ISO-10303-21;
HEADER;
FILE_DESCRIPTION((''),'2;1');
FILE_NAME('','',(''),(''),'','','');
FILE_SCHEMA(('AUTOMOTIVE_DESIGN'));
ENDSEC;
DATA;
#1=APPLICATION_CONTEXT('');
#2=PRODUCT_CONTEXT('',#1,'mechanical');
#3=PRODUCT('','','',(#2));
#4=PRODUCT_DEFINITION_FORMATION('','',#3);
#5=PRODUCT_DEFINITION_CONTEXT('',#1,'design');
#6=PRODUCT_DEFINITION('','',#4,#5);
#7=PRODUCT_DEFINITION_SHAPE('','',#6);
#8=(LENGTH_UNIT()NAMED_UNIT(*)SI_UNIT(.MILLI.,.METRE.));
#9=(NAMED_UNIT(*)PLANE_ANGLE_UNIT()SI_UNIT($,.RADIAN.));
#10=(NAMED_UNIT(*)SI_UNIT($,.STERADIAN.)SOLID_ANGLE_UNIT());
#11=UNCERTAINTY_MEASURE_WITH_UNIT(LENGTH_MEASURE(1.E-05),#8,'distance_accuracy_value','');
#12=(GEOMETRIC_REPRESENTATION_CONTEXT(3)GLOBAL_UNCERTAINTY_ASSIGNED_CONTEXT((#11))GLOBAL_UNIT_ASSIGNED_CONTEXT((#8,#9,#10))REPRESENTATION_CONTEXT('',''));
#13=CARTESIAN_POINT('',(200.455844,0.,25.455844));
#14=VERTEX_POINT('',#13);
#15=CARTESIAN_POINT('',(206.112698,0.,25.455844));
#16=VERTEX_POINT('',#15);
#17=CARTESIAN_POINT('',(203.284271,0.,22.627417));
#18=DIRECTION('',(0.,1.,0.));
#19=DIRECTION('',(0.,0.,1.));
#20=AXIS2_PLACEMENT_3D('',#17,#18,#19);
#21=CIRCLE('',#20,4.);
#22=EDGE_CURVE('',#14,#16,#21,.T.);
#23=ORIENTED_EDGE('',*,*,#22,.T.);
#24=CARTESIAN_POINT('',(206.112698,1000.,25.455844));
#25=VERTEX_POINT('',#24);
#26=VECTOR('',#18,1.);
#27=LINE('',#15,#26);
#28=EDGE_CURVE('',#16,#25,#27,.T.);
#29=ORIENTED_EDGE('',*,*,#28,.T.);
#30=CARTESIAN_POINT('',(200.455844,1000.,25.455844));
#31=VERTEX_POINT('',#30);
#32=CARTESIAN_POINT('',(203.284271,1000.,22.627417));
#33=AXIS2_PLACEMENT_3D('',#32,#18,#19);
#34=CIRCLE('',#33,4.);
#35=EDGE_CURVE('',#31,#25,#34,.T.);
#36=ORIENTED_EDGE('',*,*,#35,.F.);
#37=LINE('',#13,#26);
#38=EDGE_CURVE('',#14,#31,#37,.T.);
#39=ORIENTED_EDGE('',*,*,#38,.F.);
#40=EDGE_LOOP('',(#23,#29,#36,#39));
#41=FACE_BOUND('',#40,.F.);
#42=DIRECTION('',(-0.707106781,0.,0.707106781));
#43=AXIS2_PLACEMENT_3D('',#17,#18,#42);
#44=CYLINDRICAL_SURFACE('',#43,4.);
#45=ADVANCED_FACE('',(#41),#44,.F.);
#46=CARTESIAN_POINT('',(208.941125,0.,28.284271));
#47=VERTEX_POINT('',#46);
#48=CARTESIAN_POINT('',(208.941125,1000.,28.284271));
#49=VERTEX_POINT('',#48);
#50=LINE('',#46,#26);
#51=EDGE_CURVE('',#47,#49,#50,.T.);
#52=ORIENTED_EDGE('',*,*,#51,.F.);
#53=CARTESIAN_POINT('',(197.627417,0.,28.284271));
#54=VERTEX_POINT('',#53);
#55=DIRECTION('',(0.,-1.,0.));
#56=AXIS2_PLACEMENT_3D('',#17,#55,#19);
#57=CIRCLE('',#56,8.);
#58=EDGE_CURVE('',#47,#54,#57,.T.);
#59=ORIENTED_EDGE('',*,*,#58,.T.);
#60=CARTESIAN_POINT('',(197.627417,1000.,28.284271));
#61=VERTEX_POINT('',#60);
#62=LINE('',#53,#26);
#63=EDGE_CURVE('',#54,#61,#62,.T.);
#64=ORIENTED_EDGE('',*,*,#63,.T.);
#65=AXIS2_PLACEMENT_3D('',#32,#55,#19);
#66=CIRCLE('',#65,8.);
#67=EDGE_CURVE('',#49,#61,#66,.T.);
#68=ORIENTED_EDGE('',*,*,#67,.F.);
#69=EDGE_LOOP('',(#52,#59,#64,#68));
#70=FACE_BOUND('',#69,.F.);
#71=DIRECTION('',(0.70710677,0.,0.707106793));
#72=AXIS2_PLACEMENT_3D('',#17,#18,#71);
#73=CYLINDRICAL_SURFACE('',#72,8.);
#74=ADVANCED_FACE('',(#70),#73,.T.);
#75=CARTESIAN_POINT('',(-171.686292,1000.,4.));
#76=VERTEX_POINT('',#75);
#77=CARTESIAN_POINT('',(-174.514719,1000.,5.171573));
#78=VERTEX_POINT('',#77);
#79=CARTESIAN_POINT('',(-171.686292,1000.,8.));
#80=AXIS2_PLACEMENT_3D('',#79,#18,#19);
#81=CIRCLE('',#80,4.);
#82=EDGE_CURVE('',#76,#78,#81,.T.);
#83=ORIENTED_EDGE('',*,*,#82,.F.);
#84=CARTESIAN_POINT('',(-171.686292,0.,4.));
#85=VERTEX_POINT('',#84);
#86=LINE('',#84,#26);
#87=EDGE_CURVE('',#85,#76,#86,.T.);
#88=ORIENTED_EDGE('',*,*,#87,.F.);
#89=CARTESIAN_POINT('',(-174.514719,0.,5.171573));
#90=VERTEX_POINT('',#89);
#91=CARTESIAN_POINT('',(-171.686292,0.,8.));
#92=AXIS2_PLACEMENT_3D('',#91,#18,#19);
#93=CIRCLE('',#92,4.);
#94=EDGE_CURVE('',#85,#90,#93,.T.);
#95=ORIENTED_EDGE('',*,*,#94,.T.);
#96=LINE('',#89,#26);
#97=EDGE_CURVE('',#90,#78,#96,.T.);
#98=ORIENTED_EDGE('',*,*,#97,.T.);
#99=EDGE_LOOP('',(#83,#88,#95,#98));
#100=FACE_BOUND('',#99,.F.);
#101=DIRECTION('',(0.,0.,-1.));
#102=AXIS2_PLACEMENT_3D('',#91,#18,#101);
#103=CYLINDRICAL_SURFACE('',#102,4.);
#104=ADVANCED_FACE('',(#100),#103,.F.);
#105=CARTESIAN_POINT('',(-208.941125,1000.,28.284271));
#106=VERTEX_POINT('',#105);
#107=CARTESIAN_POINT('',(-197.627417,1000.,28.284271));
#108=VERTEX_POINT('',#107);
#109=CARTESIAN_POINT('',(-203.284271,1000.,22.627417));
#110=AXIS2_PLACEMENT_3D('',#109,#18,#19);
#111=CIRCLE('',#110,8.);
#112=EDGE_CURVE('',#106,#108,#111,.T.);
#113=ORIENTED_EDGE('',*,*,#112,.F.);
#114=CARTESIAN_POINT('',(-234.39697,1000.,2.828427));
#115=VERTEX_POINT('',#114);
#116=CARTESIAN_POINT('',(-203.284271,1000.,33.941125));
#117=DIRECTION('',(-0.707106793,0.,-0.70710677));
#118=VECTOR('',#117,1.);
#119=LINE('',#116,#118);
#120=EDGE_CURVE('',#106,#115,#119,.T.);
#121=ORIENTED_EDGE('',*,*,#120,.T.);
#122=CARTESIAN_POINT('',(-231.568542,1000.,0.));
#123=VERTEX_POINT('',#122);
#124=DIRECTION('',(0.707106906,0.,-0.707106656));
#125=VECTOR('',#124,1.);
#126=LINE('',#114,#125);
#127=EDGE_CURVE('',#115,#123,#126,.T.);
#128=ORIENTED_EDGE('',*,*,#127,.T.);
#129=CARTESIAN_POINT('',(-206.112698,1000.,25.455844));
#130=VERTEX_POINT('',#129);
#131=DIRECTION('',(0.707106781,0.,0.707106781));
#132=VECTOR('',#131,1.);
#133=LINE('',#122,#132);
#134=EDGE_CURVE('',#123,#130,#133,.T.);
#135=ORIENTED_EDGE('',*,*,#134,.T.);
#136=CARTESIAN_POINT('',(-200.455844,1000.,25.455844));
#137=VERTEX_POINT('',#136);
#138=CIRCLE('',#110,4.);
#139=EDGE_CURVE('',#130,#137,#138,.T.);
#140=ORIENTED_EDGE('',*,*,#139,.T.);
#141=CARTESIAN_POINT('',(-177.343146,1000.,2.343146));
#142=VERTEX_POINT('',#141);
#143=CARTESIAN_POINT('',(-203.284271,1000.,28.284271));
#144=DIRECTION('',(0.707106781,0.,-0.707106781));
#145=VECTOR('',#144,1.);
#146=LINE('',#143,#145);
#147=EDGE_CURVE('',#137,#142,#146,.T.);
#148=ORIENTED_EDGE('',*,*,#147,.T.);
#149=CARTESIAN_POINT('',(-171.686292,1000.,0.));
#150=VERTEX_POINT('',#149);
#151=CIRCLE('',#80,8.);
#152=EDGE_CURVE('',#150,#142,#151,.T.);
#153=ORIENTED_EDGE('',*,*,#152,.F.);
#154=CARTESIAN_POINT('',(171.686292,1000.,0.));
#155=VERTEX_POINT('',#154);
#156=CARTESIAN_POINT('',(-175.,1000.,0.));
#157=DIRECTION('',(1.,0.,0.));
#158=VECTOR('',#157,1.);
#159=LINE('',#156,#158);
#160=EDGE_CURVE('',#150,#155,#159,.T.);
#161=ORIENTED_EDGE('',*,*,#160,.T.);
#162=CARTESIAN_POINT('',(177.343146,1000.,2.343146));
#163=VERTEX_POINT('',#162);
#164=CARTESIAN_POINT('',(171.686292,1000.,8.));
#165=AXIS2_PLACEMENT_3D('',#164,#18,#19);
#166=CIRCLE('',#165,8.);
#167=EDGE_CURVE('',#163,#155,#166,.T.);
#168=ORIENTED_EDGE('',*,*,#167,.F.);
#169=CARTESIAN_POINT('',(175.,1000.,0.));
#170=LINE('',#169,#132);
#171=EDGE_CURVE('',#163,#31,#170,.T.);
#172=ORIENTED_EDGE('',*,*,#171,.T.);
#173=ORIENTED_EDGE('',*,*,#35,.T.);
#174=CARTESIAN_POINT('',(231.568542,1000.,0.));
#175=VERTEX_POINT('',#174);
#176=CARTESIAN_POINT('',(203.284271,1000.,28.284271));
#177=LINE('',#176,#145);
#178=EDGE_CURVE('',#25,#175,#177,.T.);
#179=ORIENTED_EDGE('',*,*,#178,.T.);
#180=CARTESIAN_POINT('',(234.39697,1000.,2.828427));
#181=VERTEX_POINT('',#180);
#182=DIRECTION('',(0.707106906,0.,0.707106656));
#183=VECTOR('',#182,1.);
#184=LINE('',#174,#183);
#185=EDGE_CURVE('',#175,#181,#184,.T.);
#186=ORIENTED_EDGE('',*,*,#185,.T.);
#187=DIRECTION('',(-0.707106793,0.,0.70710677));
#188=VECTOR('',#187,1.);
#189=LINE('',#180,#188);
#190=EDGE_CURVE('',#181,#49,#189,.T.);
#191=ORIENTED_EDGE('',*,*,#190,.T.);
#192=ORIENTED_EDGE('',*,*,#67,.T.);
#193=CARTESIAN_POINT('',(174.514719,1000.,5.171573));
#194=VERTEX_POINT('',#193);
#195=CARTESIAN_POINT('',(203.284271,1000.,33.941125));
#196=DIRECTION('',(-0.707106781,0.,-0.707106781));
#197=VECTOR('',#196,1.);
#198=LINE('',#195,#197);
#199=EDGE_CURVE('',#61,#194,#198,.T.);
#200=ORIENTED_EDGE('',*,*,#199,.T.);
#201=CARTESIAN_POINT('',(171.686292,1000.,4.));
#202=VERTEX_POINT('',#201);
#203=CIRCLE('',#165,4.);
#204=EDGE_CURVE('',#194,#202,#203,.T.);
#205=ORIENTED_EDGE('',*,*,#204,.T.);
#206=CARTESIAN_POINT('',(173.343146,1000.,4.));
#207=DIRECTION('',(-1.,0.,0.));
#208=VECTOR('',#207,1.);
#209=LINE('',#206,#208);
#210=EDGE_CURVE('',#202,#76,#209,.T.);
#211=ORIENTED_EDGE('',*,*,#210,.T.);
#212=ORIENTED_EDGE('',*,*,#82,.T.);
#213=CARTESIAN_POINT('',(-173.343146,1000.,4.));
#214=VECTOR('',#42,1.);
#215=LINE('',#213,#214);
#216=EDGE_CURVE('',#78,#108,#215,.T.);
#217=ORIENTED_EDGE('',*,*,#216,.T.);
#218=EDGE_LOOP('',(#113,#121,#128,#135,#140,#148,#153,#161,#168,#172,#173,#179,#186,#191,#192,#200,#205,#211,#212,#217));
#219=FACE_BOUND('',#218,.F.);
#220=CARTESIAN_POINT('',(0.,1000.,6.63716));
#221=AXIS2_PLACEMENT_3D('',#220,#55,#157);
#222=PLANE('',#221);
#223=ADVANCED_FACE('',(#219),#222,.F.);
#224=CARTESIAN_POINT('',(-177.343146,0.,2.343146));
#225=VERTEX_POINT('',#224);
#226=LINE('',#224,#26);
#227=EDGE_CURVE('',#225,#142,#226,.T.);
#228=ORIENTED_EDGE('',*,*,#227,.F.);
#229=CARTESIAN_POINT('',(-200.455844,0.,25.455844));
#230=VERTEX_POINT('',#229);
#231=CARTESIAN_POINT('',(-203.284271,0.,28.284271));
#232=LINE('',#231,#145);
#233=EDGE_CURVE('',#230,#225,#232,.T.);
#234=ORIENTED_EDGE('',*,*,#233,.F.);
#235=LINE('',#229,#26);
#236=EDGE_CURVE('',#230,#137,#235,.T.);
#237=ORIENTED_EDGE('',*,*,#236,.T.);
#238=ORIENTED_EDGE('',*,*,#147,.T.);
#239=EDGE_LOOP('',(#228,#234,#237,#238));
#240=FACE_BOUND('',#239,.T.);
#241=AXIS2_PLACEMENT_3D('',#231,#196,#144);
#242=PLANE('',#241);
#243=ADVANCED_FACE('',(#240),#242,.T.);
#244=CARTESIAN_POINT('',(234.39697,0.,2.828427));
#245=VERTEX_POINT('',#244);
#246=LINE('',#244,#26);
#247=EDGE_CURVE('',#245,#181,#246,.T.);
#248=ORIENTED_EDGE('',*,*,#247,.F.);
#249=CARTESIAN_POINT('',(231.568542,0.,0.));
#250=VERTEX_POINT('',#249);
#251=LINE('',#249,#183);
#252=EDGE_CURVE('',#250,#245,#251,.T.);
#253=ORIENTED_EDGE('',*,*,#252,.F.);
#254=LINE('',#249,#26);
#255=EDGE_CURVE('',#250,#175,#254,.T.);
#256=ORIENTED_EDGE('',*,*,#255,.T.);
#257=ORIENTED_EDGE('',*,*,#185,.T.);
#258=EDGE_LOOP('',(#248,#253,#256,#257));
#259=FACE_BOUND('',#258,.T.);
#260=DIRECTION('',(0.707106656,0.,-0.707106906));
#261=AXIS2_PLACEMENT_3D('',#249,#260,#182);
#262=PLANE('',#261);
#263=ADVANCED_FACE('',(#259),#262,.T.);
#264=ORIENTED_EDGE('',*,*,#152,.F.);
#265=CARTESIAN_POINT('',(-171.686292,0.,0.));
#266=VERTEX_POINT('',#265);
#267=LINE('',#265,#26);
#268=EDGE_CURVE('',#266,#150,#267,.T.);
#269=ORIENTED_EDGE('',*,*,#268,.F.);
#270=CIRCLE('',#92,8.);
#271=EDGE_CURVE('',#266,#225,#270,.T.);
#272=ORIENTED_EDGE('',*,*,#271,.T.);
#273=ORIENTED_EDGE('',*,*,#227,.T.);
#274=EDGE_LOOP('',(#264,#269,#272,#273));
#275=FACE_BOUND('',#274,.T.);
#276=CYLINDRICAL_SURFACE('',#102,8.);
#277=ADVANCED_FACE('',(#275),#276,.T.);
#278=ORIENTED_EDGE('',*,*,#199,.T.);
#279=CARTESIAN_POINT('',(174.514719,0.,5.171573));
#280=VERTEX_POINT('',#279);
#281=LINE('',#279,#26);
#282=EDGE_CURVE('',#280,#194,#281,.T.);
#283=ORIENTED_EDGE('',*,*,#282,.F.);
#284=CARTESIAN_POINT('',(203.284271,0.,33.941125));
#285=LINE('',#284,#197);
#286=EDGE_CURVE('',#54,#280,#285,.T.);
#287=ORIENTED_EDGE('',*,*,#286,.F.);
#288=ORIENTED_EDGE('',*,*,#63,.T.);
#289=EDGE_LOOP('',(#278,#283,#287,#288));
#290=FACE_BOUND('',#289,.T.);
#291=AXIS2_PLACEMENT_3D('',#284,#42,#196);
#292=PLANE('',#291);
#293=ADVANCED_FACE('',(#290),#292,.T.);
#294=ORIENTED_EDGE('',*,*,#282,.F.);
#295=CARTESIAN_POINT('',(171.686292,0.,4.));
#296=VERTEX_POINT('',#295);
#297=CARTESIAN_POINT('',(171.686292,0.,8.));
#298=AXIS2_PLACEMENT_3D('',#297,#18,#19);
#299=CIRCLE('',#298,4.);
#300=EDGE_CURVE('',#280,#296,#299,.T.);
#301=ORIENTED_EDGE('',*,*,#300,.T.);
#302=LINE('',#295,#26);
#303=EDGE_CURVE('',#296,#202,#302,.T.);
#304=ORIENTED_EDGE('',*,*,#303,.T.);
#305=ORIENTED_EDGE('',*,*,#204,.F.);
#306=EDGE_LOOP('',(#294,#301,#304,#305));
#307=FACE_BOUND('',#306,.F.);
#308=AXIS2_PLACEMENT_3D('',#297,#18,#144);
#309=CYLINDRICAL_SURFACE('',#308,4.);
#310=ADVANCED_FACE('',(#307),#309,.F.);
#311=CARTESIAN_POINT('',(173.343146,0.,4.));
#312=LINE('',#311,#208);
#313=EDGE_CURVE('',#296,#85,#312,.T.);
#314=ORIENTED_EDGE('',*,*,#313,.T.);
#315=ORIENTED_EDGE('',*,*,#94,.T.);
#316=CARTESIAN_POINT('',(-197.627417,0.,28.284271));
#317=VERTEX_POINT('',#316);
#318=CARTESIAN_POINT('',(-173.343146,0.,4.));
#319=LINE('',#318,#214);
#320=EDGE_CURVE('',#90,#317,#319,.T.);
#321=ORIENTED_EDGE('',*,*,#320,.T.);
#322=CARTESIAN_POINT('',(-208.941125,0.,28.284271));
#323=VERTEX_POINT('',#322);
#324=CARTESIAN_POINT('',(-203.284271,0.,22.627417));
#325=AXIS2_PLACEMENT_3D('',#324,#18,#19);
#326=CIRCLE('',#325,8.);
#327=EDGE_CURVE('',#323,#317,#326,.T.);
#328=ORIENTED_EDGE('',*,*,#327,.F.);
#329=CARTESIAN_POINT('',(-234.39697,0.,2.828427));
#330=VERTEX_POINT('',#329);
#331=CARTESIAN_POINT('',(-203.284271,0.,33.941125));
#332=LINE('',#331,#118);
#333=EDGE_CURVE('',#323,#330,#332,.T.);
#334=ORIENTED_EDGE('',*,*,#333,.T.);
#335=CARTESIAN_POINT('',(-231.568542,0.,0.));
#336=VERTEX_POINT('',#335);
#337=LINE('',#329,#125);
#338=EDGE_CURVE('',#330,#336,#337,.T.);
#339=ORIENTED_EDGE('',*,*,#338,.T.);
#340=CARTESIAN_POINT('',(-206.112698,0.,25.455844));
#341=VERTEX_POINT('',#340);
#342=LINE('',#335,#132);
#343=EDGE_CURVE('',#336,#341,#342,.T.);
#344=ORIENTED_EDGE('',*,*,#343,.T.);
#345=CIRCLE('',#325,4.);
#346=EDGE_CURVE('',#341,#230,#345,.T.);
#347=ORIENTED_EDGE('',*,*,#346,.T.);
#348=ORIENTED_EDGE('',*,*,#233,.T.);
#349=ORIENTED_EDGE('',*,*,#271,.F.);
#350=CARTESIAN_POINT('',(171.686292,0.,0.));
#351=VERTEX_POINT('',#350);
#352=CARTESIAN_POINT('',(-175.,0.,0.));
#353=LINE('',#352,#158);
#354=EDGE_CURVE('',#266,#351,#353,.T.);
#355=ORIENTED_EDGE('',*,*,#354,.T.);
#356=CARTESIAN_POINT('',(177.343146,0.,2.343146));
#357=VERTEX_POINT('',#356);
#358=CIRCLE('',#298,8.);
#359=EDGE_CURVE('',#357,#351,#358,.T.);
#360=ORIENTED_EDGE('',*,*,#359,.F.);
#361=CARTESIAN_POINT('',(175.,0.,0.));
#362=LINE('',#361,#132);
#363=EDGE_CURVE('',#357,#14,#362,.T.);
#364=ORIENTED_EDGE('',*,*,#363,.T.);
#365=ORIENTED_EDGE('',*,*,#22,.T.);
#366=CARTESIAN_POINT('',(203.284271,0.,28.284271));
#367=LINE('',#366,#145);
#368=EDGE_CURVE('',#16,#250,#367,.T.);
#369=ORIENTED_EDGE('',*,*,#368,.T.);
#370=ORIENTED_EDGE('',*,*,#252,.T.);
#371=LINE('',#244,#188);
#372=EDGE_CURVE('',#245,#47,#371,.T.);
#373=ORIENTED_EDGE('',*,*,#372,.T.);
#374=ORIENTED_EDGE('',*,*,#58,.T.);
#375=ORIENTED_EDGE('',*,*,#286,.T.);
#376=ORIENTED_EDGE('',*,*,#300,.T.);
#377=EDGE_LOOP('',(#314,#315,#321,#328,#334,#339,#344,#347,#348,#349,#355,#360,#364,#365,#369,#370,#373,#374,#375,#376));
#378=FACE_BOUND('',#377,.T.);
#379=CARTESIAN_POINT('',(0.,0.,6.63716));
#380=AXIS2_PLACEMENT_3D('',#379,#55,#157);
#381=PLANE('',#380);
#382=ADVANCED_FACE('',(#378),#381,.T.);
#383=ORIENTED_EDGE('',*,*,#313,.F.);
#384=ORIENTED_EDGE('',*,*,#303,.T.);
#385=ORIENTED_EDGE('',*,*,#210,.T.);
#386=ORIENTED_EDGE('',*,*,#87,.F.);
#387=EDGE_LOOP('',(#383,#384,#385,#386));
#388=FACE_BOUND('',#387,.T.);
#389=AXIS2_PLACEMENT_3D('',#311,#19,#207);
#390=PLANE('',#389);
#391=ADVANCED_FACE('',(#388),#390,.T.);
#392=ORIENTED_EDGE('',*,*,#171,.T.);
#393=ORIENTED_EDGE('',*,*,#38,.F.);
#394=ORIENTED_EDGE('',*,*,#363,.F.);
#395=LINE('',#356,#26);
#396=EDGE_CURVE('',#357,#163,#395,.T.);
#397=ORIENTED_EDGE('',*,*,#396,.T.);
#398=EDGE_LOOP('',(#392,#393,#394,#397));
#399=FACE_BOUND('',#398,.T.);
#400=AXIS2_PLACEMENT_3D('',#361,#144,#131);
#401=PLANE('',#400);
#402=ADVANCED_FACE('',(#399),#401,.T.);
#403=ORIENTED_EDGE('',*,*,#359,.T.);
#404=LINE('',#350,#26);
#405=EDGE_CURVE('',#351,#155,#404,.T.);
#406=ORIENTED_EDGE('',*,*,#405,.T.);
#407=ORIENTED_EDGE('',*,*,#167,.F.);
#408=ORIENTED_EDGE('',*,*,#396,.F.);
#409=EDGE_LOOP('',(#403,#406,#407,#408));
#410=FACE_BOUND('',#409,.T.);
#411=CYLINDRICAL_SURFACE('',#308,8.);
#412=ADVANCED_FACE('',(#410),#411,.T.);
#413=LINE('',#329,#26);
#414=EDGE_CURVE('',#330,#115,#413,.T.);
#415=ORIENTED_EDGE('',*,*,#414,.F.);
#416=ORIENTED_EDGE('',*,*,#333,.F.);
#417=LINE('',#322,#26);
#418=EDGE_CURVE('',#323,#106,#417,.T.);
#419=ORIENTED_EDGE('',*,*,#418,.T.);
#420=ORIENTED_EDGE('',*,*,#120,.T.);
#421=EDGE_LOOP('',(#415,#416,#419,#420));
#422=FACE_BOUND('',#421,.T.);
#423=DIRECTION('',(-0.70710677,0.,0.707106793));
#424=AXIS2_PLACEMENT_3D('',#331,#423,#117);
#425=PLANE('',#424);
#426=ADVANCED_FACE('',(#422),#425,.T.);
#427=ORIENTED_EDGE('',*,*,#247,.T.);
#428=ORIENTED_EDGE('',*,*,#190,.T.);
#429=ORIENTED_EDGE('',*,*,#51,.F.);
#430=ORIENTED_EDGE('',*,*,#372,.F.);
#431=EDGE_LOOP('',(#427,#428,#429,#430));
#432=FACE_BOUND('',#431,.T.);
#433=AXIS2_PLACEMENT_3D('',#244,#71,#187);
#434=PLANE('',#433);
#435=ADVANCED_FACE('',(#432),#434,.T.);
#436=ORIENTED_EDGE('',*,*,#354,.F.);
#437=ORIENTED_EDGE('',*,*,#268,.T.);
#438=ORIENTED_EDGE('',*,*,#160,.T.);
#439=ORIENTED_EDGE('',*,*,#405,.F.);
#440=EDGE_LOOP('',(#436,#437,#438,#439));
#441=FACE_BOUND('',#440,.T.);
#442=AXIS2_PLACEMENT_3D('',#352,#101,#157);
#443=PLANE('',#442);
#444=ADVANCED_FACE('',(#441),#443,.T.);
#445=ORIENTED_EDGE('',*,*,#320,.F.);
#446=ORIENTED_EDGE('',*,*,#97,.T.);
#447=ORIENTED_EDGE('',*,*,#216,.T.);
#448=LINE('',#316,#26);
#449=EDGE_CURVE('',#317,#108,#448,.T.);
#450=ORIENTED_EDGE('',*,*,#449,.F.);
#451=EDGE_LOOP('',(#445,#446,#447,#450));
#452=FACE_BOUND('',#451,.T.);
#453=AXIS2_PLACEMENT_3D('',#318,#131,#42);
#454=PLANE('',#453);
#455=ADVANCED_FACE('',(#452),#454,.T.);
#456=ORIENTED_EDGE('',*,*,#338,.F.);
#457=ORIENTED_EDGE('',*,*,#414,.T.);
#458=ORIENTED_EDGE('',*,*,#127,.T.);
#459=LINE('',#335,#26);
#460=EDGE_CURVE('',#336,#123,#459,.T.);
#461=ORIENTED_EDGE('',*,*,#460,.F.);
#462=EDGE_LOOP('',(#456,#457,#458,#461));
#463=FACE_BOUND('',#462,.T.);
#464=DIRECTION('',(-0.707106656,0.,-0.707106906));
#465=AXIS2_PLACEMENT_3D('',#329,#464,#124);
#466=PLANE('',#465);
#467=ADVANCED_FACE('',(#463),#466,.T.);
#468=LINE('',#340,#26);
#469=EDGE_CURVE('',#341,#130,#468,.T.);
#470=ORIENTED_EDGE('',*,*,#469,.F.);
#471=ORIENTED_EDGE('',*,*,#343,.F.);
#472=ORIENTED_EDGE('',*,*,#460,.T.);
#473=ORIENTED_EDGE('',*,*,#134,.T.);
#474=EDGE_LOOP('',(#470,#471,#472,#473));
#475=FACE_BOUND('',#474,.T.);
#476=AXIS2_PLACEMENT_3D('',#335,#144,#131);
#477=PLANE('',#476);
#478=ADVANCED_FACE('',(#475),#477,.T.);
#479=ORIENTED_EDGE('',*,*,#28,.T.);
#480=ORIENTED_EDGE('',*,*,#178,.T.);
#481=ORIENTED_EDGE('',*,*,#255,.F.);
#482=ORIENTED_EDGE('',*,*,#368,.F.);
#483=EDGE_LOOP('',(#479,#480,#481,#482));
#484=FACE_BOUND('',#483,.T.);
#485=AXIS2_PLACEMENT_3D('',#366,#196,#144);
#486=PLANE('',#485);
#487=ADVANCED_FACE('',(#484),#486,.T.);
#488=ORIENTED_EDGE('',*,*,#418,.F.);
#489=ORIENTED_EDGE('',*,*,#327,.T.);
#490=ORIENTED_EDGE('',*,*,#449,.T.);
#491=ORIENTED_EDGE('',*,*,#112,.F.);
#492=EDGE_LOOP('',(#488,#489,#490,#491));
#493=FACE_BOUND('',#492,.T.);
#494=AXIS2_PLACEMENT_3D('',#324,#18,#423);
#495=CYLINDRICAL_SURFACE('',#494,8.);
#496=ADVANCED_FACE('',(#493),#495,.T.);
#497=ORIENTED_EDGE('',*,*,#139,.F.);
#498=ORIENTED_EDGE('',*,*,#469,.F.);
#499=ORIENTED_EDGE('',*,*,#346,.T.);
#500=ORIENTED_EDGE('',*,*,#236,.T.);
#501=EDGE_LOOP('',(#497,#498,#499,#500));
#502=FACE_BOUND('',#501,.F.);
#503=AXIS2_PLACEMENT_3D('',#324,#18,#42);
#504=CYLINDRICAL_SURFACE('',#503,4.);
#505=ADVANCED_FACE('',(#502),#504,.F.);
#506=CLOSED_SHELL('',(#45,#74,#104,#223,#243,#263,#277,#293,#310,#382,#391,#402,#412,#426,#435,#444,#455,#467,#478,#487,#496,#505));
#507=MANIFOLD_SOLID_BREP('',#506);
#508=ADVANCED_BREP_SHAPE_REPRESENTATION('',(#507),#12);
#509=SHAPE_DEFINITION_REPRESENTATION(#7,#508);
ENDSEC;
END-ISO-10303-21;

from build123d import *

# Parameters (mm, degrees)
F1_DEPTH = 1000
F2_R     = 4
F3_R     = 8


with BuildPart() as f1:
    # F0 (on Front) → F1 (new body)
    with BuildSketch(Plane.XZ):
        Polygon((-175, 0), (0, 0), (175, 0), (203.284271, 28.284271), (231.568542, 0), (234.39697, 2.828427), (203.284271, 33.941125), (173.343146, 4), (0, 4), (-173.343146, 4), (-203.284271, 33.941125), (-234.39697, 2.828427), (-231.568542, 0), (-203.284271, 28.284271), align=None)
    extrude(amount=-F1_DEPTH)

    # F2
    f2_edges = [f1.edges().sort_by_distance(p)[0] for p in [
        (-203.284271, 500, 28.284271),
        (203.284271, 500, 28.284271),
        (-173.343146, 500, 4),
        (173.343146, 500, 4),
    ]]
    fillet(f2_edges, radius=F2_R)

    # F3
    f3_edges = [f1.edges().sort_by_distance(p)[0] for p in [
        (-203.284271, 500, 33.941125),
        (203.284271, 500, 33.941125),
        (-175, 500, 0),
        (175, 500, 0),
    ]]
    fillet(f3_edges, radius=F3_R)


solid = f1.part
